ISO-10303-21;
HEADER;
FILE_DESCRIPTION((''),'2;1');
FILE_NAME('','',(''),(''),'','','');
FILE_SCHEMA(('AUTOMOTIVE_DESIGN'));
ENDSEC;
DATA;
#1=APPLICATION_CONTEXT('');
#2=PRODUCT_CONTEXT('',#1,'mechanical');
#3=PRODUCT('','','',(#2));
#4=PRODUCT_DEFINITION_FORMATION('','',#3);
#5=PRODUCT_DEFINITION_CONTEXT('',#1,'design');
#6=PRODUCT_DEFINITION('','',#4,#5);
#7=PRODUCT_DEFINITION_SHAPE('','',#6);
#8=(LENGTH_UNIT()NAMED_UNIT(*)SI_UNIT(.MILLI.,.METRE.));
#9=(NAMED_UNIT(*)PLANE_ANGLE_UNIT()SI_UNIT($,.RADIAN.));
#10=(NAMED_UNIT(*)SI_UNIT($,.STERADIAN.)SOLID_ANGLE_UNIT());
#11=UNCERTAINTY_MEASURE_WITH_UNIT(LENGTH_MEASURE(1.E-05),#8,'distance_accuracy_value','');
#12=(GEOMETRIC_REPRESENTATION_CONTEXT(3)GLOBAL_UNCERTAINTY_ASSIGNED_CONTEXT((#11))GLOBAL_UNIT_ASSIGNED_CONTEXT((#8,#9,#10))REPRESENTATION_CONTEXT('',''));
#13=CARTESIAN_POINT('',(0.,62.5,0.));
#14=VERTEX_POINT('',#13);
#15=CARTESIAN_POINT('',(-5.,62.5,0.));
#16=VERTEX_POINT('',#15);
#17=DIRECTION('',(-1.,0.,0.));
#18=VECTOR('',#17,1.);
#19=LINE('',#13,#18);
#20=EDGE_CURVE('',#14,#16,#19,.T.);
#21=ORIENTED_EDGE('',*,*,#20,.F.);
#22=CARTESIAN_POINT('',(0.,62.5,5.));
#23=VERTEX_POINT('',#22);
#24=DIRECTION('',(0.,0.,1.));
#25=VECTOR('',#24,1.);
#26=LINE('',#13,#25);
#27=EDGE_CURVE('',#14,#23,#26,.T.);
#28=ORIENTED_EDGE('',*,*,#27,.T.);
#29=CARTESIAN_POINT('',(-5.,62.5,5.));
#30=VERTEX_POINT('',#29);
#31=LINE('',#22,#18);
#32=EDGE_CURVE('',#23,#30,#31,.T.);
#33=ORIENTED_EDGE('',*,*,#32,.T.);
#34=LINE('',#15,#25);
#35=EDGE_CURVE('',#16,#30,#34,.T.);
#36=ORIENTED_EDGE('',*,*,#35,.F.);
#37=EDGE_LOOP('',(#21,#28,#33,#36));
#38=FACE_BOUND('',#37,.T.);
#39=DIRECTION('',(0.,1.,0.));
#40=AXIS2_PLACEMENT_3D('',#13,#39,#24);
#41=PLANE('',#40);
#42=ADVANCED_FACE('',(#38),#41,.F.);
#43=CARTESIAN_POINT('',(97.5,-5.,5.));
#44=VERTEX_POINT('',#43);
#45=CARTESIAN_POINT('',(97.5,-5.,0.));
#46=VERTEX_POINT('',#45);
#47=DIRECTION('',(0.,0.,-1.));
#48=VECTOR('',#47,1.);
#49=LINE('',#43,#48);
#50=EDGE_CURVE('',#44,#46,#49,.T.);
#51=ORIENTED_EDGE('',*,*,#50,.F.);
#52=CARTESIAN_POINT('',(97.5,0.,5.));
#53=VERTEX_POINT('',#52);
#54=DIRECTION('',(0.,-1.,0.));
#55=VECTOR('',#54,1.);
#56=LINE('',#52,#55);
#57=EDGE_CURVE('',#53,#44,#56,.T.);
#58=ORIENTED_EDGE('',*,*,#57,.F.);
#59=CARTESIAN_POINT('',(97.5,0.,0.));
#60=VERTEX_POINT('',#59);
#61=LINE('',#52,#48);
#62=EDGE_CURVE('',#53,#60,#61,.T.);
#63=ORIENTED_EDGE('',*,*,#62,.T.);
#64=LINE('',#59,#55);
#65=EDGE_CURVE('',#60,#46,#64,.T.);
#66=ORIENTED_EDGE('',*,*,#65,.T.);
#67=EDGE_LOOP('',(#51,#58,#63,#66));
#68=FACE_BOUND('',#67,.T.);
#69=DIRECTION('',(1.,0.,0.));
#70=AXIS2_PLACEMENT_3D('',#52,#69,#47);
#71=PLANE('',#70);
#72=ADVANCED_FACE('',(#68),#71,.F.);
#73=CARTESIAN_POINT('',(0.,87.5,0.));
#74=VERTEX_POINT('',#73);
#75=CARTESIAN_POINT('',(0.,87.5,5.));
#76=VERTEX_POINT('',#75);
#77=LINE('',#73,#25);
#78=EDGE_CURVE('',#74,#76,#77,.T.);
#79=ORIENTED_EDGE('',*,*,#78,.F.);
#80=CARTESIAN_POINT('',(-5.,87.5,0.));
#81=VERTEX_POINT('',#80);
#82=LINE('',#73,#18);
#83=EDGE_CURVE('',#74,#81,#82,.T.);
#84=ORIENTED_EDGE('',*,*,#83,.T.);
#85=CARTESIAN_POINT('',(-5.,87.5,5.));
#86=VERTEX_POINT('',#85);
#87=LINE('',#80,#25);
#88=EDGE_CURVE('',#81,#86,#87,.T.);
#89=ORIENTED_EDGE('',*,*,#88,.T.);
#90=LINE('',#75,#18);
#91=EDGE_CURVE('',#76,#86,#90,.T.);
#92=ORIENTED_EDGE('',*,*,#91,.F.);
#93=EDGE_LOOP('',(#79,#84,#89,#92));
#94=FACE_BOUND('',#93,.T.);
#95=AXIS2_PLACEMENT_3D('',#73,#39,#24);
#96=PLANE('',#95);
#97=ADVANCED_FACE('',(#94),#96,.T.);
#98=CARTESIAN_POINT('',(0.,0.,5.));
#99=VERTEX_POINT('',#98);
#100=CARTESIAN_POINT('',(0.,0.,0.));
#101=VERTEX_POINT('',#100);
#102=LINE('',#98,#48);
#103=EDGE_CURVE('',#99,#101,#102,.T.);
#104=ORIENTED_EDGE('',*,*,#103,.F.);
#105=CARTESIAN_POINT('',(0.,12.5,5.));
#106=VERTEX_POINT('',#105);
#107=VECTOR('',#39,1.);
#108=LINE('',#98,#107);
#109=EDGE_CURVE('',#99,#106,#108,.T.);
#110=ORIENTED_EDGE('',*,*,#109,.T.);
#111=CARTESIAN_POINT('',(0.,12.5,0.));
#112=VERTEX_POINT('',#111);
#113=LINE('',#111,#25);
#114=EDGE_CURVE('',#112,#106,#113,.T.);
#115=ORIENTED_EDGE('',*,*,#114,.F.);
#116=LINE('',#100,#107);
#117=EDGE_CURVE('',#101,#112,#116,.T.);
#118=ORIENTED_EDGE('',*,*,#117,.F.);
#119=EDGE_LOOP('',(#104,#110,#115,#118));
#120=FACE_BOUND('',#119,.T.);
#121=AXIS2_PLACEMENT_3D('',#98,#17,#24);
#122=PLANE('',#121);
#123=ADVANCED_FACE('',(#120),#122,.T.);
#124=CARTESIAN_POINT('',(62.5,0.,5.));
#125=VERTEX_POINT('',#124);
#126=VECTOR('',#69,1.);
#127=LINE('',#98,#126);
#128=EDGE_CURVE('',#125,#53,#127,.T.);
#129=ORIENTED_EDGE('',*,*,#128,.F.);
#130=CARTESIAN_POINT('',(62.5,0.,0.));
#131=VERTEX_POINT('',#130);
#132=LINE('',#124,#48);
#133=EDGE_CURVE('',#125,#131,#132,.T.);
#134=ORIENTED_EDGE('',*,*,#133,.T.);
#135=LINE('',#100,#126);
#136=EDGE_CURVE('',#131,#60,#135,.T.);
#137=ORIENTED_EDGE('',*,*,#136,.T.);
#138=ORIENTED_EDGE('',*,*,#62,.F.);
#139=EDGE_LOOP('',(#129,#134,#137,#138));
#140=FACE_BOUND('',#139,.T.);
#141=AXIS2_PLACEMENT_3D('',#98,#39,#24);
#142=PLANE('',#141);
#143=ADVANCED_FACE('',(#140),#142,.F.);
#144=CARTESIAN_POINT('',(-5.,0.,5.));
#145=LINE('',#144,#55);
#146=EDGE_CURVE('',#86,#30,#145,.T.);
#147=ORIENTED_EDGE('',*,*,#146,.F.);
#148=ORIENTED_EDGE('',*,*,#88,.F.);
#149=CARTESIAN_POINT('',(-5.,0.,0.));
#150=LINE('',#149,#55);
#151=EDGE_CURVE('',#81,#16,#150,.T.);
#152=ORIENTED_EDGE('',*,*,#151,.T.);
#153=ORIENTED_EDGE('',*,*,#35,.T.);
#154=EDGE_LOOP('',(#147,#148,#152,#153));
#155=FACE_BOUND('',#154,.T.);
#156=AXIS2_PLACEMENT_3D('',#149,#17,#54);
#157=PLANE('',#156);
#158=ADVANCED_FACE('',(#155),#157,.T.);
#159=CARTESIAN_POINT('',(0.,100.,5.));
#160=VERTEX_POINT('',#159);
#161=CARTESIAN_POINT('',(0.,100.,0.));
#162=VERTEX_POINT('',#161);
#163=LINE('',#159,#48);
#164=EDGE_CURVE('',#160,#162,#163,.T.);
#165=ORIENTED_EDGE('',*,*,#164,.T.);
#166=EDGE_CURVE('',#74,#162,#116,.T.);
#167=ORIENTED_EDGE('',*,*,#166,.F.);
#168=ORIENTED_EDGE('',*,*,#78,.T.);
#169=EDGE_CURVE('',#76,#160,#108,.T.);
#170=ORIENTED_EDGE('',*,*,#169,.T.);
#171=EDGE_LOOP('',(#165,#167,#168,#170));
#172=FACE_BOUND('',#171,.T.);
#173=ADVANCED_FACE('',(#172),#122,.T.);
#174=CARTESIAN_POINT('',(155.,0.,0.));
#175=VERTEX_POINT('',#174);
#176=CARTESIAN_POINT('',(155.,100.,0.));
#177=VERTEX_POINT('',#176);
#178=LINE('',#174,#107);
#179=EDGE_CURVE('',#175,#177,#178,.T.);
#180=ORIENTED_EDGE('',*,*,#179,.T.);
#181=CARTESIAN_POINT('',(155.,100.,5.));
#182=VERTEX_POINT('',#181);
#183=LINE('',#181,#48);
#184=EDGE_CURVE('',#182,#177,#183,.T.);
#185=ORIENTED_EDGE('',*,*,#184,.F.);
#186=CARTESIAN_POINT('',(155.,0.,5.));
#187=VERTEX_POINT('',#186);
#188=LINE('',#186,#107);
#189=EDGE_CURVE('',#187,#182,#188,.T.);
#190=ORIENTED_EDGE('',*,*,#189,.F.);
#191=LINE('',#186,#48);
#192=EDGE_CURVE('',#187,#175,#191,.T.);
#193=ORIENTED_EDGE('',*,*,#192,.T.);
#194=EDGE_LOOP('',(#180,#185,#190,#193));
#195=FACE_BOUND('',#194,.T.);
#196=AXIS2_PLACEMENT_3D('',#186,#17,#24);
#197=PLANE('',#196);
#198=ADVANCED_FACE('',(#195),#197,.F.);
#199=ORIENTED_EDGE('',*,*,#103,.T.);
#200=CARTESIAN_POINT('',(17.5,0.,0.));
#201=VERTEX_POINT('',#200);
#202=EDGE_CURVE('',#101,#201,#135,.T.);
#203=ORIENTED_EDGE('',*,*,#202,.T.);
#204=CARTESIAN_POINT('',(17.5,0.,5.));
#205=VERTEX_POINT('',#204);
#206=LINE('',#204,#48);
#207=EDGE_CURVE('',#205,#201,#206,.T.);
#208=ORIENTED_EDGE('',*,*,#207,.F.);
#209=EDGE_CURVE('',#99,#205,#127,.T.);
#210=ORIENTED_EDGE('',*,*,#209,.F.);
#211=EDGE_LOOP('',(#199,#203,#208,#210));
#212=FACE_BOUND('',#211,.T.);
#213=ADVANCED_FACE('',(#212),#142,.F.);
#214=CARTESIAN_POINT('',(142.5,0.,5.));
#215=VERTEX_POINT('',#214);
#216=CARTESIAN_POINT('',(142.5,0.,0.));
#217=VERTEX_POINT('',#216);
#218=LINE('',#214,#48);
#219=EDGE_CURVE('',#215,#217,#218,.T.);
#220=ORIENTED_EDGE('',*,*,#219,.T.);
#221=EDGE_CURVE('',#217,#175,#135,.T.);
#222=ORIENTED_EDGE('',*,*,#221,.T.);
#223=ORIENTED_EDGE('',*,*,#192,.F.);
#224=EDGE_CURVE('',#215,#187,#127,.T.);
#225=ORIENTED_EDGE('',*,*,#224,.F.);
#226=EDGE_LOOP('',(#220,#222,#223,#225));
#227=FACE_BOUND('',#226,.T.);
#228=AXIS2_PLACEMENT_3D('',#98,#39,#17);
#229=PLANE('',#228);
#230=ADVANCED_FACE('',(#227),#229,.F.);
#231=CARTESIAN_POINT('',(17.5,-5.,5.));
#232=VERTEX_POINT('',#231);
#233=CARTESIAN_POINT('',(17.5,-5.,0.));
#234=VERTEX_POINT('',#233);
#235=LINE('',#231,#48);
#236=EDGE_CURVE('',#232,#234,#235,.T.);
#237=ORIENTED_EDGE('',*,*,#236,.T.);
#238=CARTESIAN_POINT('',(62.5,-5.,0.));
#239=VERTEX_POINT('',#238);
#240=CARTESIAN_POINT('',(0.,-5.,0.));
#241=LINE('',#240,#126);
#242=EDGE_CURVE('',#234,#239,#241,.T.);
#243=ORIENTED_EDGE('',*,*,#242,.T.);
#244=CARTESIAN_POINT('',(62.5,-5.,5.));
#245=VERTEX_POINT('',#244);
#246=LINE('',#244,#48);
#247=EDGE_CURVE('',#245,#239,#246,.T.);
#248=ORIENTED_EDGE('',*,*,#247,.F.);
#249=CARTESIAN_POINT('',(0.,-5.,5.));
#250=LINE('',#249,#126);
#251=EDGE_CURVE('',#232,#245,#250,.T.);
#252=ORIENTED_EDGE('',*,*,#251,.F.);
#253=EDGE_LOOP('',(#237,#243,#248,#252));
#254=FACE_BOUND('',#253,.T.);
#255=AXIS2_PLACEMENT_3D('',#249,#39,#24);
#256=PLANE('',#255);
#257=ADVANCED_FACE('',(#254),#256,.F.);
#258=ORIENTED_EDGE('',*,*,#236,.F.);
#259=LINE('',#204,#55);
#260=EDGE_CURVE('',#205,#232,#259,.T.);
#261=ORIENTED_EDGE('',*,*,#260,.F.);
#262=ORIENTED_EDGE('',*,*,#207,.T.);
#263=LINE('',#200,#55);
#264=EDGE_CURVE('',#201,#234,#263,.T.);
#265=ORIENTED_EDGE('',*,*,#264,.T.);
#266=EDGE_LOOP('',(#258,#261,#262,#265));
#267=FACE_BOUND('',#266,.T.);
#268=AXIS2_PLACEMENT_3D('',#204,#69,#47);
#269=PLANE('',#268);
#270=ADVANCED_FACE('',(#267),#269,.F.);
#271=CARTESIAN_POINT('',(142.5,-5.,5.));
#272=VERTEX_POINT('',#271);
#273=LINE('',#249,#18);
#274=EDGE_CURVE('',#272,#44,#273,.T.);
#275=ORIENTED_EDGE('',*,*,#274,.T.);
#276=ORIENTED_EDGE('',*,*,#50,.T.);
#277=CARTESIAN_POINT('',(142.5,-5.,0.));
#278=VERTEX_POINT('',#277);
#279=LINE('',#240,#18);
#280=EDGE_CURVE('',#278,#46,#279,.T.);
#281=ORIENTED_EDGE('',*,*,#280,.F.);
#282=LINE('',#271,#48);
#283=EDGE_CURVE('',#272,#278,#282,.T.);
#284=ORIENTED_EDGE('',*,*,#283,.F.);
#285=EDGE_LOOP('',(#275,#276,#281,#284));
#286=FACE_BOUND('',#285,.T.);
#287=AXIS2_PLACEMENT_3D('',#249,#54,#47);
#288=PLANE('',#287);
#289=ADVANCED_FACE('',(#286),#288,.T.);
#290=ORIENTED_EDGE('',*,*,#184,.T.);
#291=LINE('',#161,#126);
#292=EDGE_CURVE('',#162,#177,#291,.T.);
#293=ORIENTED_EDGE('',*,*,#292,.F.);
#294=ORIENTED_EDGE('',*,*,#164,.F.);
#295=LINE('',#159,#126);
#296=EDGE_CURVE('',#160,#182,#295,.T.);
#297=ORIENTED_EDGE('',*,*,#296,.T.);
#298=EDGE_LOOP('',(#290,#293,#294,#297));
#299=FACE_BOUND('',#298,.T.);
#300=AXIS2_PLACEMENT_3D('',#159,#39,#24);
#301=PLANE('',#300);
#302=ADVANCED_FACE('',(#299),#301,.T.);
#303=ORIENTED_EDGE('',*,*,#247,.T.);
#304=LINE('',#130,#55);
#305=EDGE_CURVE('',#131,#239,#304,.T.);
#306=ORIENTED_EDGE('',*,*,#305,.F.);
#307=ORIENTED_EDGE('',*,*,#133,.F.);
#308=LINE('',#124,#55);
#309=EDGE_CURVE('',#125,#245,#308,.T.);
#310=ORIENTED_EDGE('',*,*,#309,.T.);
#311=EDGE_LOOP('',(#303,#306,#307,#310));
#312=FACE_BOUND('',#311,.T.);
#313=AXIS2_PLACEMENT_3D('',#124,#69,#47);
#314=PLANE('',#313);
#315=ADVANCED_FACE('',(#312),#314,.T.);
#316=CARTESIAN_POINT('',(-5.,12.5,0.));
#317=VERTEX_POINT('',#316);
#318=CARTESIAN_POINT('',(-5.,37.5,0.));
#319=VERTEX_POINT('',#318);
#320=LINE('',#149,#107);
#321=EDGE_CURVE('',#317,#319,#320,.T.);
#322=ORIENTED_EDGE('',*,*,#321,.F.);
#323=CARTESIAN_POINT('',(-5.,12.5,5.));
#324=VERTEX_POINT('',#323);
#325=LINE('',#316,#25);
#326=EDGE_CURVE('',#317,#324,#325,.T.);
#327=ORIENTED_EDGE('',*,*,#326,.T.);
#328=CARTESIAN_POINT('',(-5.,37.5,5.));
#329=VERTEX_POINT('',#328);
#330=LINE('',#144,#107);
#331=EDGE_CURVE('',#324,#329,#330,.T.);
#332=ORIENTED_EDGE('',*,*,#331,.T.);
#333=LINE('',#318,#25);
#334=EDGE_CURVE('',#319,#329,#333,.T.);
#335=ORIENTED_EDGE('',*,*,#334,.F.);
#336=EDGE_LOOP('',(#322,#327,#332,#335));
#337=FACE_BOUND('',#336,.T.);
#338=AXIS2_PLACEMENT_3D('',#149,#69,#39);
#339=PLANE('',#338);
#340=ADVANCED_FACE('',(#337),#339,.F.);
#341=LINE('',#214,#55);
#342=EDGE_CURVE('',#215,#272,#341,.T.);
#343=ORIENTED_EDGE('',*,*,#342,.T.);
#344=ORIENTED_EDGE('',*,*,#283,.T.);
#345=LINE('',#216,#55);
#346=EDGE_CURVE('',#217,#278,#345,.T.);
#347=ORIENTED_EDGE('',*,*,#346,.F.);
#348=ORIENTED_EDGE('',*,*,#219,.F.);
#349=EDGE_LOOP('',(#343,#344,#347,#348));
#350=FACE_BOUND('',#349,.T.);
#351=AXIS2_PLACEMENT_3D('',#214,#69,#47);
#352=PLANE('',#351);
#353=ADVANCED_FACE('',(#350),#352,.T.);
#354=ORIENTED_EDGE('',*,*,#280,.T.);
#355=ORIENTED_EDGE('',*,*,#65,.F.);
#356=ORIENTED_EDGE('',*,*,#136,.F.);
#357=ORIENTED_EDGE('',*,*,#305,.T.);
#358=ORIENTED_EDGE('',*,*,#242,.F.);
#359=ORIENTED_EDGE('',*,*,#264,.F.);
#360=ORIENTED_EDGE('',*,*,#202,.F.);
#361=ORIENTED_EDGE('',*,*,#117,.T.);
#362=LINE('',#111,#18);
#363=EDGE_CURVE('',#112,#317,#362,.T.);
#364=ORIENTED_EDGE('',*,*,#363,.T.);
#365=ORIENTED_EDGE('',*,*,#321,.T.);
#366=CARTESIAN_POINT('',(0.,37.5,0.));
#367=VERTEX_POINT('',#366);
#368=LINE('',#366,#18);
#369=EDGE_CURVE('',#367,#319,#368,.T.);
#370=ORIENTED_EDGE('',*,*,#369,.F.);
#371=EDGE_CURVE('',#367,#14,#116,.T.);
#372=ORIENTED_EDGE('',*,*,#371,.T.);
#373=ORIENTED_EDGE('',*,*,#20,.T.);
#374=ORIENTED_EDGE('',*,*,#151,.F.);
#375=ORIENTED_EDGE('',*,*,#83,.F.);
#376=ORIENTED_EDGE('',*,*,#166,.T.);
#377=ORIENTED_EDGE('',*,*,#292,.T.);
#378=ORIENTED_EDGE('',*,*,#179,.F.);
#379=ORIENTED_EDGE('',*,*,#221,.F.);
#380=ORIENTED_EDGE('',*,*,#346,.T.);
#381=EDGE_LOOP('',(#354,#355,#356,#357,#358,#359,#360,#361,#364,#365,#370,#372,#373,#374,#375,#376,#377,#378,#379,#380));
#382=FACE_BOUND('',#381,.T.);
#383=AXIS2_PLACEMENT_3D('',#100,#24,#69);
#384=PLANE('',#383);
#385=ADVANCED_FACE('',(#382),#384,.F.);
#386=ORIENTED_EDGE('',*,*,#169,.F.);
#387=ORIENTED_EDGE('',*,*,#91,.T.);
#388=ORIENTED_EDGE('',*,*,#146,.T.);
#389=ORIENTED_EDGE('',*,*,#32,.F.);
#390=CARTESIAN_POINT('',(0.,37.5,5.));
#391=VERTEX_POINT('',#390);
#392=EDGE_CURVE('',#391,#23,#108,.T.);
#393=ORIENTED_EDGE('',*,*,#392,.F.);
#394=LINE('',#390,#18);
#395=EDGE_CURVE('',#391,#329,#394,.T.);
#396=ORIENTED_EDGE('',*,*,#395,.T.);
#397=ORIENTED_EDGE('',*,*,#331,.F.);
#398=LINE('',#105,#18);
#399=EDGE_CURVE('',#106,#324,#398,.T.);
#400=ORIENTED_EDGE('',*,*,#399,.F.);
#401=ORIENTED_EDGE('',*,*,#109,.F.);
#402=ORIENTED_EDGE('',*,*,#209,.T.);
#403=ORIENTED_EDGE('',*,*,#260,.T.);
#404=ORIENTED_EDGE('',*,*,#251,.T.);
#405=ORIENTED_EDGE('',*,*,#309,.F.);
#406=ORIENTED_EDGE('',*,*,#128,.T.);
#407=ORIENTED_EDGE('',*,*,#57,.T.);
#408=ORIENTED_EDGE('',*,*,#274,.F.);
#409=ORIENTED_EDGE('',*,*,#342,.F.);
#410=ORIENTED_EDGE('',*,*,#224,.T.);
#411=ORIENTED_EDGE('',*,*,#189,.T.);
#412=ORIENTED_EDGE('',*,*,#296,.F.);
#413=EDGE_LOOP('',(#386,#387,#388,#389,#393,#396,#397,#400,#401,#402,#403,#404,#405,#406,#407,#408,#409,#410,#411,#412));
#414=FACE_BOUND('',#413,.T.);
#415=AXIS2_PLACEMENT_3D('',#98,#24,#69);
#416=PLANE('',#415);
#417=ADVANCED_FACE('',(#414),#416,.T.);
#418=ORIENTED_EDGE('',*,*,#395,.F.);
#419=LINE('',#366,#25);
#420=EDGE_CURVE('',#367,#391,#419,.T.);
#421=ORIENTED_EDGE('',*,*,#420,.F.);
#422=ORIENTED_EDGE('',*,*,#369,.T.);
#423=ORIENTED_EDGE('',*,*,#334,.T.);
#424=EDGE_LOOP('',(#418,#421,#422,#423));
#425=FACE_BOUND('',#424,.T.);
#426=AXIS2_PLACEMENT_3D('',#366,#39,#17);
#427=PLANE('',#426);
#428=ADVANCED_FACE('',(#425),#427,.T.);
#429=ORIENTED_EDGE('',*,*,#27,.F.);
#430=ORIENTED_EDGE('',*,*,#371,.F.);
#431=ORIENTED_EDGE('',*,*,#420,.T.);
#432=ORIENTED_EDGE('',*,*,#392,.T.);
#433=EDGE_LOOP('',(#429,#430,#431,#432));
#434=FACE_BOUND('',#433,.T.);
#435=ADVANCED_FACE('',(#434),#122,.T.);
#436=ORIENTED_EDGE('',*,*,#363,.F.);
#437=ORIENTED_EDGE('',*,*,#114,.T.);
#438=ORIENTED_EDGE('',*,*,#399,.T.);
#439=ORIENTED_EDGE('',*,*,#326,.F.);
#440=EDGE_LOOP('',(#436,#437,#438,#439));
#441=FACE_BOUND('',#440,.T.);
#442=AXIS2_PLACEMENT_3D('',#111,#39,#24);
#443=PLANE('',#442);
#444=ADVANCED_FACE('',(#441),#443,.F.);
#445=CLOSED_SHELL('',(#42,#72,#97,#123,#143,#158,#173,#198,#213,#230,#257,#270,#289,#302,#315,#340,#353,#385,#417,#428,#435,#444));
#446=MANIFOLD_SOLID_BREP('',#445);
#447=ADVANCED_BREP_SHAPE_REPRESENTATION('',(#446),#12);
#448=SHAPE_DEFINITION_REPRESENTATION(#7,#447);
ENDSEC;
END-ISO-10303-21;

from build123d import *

# Parameters (mm, degrees)
CROQUIS1_W              = 5
CROQUIS1_H              = 25
SALIENTE_EXTRUIR1_DEPTH = 5
CROQUIS3_W              = 5
CROQUIS3_H              = 25
SALIENTE_EXTRUIR2_DEPTH = 5


with BuildPart() as part:
    # Croquis1 → Saliente-Extruir1 (new body)
    with BuildSketch(Plane.XY):
        Polygon((0, 12.5), (0, 0), (17.5, 0), (17.5, -5), (62.5, -5), (62.5, 0), (97.5, 0), (97.5, -5), (142.5, -5), (142.5, 0), (155, 0), (155, 100), (0, 100), (0, 87.5), (5, 87.5), (5, 62.5), (0, 62.5), (0, 37.5), (5, 37.5), (5, 12.5), align=None)
        with Locations((2.5, 25)):
            Rectangle(CROQUIS1_W, CROQUIS1_H)
        with Locations((2.5, 75)):
            Rectangle(CROQUIS1_W, CROQUIS1_H)
    extrude(amount=SALIENTE_EXTRUIR1_DEPTH)

    # Croquis3 → Saliente-Extruir2 (add)
    with BuildSketch(Plane.XY.offset(5)):
        with Locations((-2.5, 25)):
            Rectangle(CROQUIS3_W, CROQUIS3_H)
        with Locations((-2.5, 75)):
            Rectangle(CROQUIS3_W, CROQUIS3_H)
    extrude(amount=-SALIENTE_EXTRUIR2_DEPTH)


solid = part.part
